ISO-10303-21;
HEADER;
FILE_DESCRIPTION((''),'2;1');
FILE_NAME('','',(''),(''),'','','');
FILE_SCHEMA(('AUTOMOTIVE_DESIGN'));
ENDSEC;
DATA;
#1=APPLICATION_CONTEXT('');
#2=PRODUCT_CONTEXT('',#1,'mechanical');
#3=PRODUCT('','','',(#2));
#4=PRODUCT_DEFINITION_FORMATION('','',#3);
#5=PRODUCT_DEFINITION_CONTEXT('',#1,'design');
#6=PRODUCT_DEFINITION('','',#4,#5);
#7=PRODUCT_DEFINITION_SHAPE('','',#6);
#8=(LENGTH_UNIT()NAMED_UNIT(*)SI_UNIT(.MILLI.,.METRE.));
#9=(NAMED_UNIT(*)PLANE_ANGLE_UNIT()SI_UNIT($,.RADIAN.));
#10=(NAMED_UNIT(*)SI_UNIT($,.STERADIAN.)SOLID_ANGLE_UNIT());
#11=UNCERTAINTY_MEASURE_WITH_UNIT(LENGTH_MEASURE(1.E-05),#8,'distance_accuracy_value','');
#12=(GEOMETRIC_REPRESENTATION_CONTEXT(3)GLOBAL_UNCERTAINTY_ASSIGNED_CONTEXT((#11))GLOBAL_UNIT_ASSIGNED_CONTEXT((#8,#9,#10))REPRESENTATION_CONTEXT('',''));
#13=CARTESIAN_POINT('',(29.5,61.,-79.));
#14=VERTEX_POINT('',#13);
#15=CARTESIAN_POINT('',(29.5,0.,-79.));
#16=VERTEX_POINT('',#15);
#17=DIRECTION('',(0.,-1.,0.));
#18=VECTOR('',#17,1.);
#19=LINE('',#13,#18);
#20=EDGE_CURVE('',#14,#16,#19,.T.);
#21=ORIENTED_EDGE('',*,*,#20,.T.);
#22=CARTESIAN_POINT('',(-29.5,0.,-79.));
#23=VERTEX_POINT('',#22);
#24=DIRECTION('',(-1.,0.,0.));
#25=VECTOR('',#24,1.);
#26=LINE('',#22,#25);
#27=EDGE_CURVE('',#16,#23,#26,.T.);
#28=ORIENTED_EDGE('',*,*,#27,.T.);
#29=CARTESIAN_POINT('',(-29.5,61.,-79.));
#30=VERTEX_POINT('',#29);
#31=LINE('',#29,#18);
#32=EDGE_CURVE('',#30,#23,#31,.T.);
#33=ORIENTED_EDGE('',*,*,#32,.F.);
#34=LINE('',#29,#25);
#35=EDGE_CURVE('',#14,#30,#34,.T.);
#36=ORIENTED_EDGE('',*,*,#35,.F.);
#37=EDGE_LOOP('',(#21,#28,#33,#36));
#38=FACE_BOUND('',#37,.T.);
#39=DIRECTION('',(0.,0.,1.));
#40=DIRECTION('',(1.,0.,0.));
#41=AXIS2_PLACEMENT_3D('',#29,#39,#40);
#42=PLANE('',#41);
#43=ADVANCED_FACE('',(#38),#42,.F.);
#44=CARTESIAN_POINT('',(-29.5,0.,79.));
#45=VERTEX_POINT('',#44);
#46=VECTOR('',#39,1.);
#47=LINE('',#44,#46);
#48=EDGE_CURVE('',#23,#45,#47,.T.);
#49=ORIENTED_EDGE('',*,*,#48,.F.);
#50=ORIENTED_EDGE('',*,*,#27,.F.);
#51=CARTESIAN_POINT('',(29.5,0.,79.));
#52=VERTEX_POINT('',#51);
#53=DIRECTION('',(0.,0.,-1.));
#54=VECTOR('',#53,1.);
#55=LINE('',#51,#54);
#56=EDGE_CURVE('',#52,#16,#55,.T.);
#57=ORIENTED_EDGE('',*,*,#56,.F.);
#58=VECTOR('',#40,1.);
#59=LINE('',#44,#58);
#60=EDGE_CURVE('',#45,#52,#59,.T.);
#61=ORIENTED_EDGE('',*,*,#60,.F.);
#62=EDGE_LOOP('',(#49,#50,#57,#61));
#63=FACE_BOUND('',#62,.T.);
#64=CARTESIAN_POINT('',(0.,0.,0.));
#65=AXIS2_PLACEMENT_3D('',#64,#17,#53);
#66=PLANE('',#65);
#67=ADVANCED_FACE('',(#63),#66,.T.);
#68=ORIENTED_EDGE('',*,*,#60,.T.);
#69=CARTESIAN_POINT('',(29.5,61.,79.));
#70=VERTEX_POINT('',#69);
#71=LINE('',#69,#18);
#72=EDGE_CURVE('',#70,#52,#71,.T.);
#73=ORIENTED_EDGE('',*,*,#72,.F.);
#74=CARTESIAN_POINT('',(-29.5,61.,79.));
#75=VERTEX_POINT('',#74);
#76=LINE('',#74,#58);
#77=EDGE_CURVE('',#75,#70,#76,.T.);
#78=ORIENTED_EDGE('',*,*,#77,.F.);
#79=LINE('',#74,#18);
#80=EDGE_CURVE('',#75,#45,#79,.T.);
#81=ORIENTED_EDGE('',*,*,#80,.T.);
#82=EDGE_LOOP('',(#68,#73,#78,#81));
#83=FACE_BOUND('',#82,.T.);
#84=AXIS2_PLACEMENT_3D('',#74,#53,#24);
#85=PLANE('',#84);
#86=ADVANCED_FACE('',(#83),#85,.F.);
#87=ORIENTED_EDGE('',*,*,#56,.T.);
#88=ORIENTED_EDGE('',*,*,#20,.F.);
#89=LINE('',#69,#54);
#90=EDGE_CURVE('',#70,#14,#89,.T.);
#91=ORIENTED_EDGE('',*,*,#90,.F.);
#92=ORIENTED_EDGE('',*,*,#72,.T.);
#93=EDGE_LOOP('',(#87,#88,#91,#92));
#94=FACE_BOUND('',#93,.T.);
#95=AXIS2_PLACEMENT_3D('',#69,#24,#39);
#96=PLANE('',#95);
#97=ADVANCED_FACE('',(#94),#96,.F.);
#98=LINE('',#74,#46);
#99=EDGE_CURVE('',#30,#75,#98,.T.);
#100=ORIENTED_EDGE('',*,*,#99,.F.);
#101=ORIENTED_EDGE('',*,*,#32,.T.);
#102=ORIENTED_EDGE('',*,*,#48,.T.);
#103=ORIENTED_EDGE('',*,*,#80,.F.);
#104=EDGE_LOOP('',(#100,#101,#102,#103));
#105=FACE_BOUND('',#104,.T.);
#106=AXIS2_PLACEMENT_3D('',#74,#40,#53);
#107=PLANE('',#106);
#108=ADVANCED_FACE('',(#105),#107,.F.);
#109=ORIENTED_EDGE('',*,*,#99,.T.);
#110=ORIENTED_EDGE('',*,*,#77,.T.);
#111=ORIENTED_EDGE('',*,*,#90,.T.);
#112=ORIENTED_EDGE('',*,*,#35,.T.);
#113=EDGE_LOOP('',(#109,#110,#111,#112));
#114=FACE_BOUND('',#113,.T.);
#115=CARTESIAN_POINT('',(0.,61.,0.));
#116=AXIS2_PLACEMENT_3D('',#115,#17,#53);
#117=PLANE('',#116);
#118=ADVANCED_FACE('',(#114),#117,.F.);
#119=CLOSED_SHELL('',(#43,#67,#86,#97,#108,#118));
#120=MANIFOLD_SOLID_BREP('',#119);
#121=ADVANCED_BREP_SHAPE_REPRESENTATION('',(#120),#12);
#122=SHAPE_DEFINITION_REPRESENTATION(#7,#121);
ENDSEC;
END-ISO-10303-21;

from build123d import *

# Parameters (mm, degrees)
SKETCH2_W                = 59
SKETCH2_H                = 158
F_11000MAH_BATTERY_DEPTH = 61


with BuildPart() as part:
    # Sketch2 → 11000mah battery (new body)
    with BuildSketch(Plane(origin=(0, 0, 0), x_dir=(1, 0, 0), z_dir=(0, 1, 0))):
        Rectangle(SKETCH2_W, SKETCH2_H)
    extrude(amount=F_11000MAH_BATTERY_DEPTH)


solid = part.part
